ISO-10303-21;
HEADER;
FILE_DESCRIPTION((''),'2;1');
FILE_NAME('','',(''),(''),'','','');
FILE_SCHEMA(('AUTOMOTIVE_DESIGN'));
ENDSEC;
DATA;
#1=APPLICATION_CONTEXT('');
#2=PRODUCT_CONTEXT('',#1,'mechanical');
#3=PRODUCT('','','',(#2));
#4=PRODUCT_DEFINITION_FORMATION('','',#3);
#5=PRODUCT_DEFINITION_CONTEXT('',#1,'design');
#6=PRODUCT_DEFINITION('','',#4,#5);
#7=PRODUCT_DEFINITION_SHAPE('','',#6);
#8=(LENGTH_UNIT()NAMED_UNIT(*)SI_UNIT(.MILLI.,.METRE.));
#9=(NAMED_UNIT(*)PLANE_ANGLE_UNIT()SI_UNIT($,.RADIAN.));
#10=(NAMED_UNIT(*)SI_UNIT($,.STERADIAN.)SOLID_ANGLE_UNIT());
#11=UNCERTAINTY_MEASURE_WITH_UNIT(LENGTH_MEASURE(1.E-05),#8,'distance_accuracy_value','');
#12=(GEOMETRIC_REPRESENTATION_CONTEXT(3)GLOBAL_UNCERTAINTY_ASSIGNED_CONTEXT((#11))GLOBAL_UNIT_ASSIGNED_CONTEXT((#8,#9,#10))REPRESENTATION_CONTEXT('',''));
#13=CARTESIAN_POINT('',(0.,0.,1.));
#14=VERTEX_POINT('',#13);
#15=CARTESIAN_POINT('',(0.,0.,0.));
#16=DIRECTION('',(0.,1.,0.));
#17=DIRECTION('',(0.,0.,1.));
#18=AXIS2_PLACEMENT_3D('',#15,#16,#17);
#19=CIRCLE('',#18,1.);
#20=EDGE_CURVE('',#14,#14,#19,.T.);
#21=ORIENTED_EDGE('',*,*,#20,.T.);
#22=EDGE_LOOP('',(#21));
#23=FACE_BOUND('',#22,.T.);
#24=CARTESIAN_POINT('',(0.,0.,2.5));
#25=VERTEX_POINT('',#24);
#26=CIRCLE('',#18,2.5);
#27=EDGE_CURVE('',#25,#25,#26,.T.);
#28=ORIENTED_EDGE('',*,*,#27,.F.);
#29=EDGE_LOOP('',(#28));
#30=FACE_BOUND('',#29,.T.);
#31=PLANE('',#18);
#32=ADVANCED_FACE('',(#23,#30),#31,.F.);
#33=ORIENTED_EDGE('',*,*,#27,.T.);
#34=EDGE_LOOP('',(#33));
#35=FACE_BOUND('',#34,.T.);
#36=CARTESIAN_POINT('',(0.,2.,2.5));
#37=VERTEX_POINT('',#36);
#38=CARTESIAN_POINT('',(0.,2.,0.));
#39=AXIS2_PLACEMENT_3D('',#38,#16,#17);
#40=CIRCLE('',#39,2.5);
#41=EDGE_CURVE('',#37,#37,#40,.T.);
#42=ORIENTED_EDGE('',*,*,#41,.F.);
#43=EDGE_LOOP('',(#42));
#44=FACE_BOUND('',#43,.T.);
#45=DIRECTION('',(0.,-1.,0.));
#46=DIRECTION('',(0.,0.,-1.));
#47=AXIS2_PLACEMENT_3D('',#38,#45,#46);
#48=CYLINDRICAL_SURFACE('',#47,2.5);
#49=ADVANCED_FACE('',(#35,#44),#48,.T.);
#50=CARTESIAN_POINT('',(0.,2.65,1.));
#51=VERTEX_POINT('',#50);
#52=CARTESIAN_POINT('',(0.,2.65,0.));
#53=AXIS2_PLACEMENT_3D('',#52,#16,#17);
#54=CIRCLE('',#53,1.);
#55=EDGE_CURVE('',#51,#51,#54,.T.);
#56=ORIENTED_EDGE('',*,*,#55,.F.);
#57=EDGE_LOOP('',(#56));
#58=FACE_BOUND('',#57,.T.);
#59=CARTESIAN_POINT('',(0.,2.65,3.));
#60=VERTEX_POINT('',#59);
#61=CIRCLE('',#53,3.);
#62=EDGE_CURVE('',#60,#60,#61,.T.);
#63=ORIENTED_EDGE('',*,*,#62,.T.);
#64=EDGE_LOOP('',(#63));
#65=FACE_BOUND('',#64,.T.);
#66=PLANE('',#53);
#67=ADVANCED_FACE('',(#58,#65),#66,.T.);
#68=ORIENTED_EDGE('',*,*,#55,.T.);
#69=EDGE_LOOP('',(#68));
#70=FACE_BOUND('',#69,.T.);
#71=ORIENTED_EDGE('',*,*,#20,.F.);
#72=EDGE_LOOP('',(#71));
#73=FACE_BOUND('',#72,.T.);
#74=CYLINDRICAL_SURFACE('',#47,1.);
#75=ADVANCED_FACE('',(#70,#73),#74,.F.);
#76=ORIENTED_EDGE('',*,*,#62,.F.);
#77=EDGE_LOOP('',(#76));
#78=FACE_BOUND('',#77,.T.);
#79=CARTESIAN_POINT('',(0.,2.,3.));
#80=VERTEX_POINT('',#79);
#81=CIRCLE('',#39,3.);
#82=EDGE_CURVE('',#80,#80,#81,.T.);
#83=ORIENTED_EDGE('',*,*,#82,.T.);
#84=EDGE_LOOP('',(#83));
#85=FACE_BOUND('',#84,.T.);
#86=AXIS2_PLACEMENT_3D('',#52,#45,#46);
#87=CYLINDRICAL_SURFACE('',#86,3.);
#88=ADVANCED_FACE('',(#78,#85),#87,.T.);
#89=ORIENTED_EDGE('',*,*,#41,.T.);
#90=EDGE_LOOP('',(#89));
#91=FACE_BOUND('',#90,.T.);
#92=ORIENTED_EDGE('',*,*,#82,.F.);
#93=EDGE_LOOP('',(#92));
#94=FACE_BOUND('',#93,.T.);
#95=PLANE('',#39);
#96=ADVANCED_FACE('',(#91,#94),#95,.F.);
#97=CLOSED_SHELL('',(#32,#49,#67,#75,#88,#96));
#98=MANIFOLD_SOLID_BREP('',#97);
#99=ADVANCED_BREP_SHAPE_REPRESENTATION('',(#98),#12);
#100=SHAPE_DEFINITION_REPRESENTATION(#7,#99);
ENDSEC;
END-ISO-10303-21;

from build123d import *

# Parameters (mm, degrees)
SKETCH1_R           = 2.5
SKETCH1_R_2         = 1
BOSS_EXTRUDE1_DEPTH = 2
SKETCH2_R           = 3
SKETCH2_R_2         = 1
BOSS_EXTRUDE2_DEPTH = 0.65


with BuildPart() as part:
    # Sketch1 → Boss-Extrude1 (new body)
    with BuildSketch(Plane(origin=(0, 0, 0), x_dir=(1, 0, 0), z_dir=(0, 1, 0))):
        Circle(SKETCH1_R)
        Circle(SKETCH1_R_2, mode=Mode.SUBTRACT)
    extrude(amount=BOSS_EXTRUDE1_DEPTH)

    # Sketch2 → Boss-Extrude2 (add)
    with BuildSketch(Plane(origin=(0, 2, 0), x_dir=(1, 0, 0), z_dir=(0, 1, 0))):
        Circle(SKETCH2_R)
        Circle(SKETCH2_R_2, mode=Mode.SUBTRACT)
    extrude(amount=BOSS_EXTRUDE2_DEPTH)


solid = part.part
